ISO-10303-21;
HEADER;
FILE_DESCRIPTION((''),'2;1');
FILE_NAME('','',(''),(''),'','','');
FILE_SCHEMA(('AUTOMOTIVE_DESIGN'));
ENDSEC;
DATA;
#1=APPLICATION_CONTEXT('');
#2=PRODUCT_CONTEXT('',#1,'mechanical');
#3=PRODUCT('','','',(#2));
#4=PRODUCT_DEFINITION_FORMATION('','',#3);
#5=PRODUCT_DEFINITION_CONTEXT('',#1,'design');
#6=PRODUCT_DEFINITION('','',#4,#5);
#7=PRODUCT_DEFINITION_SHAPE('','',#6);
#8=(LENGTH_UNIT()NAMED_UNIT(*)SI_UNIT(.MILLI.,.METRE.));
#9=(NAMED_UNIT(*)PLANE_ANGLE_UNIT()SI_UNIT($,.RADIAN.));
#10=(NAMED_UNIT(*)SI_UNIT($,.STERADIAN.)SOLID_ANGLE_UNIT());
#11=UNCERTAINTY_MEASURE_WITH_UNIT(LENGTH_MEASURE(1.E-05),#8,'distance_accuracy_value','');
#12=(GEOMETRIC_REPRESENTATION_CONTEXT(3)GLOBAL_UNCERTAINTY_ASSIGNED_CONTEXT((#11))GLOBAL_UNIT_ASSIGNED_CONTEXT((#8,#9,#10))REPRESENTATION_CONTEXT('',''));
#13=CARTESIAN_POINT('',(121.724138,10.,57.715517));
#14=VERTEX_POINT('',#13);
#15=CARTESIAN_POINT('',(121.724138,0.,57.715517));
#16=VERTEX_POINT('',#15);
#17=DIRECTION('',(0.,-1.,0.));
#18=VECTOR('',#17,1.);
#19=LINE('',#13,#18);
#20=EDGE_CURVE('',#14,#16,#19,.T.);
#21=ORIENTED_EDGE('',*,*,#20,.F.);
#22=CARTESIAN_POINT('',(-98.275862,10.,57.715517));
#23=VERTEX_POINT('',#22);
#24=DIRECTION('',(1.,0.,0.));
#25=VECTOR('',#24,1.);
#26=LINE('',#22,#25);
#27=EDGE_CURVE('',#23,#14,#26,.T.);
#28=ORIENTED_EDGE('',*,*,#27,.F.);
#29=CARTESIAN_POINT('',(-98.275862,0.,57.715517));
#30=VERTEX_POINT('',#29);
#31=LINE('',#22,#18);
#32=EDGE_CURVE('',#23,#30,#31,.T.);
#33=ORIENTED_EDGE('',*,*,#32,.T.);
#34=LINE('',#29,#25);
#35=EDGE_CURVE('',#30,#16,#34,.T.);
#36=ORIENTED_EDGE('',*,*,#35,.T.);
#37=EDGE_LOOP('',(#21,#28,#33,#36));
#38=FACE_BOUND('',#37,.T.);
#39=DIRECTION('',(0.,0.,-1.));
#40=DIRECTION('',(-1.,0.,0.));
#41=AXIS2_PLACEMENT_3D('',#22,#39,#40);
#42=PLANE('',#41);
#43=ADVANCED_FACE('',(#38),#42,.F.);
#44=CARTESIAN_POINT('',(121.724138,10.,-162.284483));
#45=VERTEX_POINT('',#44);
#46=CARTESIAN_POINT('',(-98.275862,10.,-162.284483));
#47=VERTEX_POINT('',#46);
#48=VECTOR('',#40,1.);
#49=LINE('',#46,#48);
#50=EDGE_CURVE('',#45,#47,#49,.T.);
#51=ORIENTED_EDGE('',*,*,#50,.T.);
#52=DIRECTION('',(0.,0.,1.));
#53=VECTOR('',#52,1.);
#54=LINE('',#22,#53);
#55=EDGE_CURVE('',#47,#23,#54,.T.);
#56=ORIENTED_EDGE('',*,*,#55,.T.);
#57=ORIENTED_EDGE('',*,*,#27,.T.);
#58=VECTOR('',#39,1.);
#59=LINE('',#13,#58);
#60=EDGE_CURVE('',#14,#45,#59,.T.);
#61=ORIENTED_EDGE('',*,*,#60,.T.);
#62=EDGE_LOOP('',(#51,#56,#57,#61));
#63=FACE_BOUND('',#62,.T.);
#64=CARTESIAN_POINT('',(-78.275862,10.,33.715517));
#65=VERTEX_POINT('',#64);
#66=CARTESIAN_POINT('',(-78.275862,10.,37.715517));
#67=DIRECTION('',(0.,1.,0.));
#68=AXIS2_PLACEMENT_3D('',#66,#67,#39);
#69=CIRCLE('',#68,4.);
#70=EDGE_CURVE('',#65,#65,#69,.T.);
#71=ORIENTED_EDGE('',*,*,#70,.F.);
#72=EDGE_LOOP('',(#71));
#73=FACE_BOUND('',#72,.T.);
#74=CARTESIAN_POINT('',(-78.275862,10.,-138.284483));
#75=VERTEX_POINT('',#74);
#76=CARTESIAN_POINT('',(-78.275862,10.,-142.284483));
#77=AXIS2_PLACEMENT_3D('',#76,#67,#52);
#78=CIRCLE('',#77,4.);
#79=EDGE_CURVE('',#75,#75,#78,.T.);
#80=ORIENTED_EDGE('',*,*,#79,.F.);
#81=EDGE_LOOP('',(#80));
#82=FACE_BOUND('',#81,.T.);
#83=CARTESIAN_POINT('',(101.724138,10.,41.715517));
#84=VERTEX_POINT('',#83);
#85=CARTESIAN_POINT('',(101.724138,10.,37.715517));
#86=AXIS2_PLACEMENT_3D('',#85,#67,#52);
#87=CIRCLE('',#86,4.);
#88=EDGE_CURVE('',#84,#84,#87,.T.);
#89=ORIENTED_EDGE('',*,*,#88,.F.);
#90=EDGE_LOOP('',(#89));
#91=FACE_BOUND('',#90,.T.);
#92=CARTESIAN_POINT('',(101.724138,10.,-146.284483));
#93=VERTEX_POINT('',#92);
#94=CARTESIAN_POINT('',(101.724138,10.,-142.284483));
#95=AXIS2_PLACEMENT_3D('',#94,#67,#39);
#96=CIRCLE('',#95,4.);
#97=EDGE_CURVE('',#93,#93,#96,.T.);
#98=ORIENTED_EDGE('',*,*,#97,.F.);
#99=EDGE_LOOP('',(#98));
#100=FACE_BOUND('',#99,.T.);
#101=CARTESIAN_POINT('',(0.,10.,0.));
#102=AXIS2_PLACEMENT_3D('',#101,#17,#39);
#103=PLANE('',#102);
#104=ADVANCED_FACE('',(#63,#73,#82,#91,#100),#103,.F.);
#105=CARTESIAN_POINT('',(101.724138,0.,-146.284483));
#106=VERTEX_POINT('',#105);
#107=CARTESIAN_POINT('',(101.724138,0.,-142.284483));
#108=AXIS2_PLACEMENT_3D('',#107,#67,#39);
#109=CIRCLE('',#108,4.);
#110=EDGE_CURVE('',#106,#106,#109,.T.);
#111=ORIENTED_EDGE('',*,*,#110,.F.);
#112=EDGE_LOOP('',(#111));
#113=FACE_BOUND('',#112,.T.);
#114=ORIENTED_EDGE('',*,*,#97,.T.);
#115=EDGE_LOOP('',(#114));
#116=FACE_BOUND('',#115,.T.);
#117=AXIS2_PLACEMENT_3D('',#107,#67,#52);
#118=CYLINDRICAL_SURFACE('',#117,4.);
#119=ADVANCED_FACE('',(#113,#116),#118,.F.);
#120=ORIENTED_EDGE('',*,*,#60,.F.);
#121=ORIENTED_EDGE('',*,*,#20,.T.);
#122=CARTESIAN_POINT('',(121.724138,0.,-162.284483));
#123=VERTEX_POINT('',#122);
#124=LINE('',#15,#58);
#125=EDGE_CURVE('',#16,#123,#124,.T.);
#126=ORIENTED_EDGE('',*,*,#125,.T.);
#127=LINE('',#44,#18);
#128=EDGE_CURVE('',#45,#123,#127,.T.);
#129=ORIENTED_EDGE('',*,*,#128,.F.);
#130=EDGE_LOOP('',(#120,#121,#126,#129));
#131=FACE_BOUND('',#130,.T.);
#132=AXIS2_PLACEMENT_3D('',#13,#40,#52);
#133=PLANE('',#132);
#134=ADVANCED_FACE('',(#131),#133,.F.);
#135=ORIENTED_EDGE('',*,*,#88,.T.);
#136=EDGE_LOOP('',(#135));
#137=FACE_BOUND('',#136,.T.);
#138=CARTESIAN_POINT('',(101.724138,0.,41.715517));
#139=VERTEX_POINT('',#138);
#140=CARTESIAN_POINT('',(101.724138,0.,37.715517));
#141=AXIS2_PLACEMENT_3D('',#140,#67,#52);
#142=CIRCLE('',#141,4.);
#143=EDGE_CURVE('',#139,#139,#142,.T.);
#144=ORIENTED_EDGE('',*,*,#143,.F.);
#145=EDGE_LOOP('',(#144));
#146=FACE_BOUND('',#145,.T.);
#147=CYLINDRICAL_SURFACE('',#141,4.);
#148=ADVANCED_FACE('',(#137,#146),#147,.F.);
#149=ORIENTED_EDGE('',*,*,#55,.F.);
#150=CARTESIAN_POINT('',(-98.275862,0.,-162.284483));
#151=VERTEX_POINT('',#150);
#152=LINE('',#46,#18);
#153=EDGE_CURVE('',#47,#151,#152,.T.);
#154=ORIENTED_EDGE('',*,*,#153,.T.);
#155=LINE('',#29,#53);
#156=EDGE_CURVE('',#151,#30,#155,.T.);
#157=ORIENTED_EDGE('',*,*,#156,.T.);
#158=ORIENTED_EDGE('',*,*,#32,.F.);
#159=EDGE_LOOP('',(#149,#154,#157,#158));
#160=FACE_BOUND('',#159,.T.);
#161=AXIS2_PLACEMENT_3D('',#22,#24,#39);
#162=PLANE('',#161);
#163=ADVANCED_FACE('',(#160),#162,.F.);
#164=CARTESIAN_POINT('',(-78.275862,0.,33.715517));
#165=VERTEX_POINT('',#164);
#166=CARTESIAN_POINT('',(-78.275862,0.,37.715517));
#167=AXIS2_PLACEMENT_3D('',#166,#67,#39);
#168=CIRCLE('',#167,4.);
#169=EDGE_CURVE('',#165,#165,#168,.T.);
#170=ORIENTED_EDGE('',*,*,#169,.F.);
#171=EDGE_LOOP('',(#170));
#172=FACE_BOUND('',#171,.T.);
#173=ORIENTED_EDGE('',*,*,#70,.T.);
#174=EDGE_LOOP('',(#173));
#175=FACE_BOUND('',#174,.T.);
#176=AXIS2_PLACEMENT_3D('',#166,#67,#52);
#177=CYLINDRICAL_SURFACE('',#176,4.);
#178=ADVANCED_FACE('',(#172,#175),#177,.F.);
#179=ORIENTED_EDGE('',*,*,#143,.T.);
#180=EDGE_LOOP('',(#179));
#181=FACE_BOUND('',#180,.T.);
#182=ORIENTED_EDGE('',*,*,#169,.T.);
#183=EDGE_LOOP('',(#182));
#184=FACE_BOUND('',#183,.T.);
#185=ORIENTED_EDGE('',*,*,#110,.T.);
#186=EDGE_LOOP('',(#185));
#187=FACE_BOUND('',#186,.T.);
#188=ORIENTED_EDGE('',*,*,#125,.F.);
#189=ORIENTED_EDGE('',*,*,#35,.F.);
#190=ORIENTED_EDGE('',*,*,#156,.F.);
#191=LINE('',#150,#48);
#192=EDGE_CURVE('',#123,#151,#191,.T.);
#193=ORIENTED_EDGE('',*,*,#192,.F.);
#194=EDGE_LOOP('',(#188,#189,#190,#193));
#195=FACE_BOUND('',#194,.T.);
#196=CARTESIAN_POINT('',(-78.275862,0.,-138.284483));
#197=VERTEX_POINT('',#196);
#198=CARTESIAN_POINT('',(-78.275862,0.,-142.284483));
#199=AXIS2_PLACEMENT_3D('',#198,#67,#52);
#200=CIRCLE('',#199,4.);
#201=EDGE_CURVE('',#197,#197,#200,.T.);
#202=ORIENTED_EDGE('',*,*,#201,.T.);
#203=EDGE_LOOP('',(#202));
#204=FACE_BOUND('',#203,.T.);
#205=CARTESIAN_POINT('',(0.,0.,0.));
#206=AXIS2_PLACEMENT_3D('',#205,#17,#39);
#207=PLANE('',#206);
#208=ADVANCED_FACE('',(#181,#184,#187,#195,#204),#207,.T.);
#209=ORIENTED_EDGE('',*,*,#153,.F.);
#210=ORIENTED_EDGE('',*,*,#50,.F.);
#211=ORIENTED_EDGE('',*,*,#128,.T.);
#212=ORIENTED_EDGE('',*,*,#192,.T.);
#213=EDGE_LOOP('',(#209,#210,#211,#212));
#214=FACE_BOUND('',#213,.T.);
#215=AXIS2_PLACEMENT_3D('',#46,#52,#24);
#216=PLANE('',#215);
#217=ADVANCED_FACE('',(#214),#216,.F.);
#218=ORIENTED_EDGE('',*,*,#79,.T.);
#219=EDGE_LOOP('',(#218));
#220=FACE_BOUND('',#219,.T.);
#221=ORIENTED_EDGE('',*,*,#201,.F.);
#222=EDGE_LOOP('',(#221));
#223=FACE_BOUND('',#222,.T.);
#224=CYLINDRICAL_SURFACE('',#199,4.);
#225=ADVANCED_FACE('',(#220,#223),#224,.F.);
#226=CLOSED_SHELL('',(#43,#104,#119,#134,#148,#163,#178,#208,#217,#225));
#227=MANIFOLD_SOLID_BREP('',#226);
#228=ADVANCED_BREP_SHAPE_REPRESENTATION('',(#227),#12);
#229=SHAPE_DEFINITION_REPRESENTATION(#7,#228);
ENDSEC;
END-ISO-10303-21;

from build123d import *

# Parameters (mm, degrees)
ESBO_O1_W                = 220
ESBO_O1_H                = 220
RESSALTO_EXTRUS_O1_DEPTH = 10
ESBO_O2_R                = 4
CORTE_EXTRUS_O1_DEPTH    = 204.108392489


with BuildPart() as part:
    # Esboço1 → Ressalto-extrusão1 (new body)
    with BuildSketch(Plane(origin=(0, 0, 0), x_dir=(1, 0, 0), z_dir=(0, 1, 0))):
        with Locations((11.724137931, 52.284482759)):
            Rectangle(ESBO_O1_W, ESBO_O1_H)
    extrude(amount=RESSALTO_EXTRUS_O1_DEPTH)

    # Esboço2 → Corte-extrusão1 (cut, through all)
    with BuildSketch(Plane(origin=(0, 10, 0), x_dir=(1, 0, 0), z_dir=(0, 1, 0))):
        with Locations(Location((-78.275862069, 142.284482759, 0), (0, 0, 270))):
            Circle(ESBO_O2_R)
        with Locations(Location((101.724137931, 142.284482759, 0), (0, 0, 90))):
            Circle(ESBO_O2_R)
        with Locations(Location((101.724137931, -37.715517241, 0), (0, 0, 270))):
            Circle(ESBO_O2_R)
        with Locations(Location((-78.275862069, -37.715517241, 0), (0, 0, 90))):
            Circle(ESBO_O2_R)
    extrude(amount=-CORTE_EXTRUS_O1_DEPTH, mode=Mode.SUBTRACT)


solid = part.part
